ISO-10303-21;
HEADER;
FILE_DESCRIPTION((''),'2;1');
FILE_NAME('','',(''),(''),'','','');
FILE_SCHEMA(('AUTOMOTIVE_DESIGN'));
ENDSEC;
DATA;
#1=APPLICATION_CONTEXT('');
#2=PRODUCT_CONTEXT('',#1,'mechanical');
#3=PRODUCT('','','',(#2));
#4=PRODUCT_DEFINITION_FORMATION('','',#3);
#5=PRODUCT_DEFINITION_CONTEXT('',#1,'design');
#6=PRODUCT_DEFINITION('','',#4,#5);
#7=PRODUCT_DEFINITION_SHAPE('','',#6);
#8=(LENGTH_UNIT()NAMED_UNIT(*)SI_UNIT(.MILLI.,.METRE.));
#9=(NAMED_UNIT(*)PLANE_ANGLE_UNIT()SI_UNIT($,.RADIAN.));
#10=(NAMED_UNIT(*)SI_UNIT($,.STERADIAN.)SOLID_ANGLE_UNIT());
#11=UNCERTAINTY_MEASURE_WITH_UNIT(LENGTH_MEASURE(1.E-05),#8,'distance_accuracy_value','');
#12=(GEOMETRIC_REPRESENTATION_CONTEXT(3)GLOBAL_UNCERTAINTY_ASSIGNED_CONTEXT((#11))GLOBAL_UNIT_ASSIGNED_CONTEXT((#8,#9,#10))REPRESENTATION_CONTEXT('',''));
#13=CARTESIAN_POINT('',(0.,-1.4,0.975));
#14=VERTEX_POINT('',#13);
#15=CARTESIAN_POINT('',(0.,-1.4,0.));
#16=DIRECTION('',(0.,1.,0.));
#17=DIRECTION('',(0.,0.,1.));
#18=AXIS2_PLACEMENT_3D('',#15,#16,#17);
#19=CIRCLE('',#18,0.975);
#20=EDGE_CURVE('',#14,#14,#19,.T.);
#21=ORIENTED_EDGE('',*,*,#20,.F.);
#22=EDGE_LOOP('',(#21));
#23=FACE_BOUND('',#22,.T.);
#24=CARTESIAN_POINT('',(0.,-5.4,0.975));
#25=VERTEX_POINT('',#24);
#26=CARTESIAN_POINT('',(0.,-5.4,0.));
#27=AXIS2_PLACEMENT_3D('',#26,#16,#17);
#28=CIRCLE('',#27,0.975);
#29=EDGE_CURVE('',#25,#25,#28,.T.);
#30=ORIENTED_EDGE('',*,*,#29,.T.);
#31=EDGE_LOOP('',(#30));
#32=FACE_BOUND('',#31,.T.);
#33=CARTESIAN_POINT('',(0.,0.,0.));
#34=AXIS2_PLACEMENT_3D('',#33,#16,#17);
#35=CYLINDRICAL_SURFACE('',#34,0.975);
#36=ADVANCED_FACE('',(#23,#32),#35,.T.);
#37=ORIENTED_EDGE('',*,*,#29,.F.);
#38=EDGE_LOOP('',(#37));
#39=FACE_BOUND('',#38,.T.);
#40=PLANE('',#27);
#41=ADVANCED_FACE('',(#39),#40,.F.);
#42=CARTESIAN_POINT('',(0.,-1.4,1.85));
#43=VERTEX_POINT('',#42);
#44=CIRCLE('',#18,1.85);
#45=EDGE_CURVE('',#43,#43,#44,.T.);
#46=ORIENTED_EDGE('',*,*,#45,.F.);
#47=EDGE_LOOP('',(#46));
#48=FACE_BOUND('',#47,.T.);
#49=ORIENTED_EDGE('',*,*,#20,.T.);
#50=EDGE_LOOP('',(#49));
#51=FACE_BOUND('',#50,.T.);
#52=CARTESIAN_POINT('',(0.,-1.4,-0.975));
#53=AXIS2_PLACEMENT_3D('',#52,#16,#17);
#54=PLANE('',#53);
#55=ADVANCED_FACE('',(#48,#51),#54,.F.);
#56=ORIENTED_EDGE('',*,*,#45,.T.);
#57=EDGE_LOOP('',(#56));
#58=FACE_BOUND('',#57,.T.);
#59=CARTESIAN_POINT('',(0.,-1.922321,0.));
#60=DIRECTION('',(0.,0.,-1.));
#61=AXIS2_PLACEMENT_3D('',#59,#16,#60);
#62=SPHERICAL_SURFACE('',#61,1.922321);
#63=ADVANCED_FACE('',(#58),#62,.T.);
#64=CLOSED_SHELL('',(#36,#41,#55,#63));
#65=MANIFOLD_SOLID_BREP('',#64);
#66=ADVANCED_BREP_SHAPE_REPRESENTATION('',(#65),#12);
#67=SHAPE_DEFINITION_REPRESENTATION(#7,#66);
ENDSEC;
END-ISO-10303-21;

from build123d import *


with BuildPart() as part:
    # Sketch1 → Revolve2 (revolve)
    with BuildSketch(Plane(origin=(0, 0, 0), x_dir=(0, 0, -1), z_dir=(1, 0, 0))):
        with BuildLine():
            Line((0, -5.4), (0.975, -5.4))
            Line((0.975, -5.4), (0.975, -1.4))
            Line((0.975, -1.4), (1.85, -1.4))
            ThreePointArc((1.85, -1.4), (1.160010776, -0.389450046), (0, 0))
            Line((0, 0), (0, -5.4))
        make_face()
    revolve(axis=Axis((0, 0, 0), (0, -1, 0)))


solid = part.part
